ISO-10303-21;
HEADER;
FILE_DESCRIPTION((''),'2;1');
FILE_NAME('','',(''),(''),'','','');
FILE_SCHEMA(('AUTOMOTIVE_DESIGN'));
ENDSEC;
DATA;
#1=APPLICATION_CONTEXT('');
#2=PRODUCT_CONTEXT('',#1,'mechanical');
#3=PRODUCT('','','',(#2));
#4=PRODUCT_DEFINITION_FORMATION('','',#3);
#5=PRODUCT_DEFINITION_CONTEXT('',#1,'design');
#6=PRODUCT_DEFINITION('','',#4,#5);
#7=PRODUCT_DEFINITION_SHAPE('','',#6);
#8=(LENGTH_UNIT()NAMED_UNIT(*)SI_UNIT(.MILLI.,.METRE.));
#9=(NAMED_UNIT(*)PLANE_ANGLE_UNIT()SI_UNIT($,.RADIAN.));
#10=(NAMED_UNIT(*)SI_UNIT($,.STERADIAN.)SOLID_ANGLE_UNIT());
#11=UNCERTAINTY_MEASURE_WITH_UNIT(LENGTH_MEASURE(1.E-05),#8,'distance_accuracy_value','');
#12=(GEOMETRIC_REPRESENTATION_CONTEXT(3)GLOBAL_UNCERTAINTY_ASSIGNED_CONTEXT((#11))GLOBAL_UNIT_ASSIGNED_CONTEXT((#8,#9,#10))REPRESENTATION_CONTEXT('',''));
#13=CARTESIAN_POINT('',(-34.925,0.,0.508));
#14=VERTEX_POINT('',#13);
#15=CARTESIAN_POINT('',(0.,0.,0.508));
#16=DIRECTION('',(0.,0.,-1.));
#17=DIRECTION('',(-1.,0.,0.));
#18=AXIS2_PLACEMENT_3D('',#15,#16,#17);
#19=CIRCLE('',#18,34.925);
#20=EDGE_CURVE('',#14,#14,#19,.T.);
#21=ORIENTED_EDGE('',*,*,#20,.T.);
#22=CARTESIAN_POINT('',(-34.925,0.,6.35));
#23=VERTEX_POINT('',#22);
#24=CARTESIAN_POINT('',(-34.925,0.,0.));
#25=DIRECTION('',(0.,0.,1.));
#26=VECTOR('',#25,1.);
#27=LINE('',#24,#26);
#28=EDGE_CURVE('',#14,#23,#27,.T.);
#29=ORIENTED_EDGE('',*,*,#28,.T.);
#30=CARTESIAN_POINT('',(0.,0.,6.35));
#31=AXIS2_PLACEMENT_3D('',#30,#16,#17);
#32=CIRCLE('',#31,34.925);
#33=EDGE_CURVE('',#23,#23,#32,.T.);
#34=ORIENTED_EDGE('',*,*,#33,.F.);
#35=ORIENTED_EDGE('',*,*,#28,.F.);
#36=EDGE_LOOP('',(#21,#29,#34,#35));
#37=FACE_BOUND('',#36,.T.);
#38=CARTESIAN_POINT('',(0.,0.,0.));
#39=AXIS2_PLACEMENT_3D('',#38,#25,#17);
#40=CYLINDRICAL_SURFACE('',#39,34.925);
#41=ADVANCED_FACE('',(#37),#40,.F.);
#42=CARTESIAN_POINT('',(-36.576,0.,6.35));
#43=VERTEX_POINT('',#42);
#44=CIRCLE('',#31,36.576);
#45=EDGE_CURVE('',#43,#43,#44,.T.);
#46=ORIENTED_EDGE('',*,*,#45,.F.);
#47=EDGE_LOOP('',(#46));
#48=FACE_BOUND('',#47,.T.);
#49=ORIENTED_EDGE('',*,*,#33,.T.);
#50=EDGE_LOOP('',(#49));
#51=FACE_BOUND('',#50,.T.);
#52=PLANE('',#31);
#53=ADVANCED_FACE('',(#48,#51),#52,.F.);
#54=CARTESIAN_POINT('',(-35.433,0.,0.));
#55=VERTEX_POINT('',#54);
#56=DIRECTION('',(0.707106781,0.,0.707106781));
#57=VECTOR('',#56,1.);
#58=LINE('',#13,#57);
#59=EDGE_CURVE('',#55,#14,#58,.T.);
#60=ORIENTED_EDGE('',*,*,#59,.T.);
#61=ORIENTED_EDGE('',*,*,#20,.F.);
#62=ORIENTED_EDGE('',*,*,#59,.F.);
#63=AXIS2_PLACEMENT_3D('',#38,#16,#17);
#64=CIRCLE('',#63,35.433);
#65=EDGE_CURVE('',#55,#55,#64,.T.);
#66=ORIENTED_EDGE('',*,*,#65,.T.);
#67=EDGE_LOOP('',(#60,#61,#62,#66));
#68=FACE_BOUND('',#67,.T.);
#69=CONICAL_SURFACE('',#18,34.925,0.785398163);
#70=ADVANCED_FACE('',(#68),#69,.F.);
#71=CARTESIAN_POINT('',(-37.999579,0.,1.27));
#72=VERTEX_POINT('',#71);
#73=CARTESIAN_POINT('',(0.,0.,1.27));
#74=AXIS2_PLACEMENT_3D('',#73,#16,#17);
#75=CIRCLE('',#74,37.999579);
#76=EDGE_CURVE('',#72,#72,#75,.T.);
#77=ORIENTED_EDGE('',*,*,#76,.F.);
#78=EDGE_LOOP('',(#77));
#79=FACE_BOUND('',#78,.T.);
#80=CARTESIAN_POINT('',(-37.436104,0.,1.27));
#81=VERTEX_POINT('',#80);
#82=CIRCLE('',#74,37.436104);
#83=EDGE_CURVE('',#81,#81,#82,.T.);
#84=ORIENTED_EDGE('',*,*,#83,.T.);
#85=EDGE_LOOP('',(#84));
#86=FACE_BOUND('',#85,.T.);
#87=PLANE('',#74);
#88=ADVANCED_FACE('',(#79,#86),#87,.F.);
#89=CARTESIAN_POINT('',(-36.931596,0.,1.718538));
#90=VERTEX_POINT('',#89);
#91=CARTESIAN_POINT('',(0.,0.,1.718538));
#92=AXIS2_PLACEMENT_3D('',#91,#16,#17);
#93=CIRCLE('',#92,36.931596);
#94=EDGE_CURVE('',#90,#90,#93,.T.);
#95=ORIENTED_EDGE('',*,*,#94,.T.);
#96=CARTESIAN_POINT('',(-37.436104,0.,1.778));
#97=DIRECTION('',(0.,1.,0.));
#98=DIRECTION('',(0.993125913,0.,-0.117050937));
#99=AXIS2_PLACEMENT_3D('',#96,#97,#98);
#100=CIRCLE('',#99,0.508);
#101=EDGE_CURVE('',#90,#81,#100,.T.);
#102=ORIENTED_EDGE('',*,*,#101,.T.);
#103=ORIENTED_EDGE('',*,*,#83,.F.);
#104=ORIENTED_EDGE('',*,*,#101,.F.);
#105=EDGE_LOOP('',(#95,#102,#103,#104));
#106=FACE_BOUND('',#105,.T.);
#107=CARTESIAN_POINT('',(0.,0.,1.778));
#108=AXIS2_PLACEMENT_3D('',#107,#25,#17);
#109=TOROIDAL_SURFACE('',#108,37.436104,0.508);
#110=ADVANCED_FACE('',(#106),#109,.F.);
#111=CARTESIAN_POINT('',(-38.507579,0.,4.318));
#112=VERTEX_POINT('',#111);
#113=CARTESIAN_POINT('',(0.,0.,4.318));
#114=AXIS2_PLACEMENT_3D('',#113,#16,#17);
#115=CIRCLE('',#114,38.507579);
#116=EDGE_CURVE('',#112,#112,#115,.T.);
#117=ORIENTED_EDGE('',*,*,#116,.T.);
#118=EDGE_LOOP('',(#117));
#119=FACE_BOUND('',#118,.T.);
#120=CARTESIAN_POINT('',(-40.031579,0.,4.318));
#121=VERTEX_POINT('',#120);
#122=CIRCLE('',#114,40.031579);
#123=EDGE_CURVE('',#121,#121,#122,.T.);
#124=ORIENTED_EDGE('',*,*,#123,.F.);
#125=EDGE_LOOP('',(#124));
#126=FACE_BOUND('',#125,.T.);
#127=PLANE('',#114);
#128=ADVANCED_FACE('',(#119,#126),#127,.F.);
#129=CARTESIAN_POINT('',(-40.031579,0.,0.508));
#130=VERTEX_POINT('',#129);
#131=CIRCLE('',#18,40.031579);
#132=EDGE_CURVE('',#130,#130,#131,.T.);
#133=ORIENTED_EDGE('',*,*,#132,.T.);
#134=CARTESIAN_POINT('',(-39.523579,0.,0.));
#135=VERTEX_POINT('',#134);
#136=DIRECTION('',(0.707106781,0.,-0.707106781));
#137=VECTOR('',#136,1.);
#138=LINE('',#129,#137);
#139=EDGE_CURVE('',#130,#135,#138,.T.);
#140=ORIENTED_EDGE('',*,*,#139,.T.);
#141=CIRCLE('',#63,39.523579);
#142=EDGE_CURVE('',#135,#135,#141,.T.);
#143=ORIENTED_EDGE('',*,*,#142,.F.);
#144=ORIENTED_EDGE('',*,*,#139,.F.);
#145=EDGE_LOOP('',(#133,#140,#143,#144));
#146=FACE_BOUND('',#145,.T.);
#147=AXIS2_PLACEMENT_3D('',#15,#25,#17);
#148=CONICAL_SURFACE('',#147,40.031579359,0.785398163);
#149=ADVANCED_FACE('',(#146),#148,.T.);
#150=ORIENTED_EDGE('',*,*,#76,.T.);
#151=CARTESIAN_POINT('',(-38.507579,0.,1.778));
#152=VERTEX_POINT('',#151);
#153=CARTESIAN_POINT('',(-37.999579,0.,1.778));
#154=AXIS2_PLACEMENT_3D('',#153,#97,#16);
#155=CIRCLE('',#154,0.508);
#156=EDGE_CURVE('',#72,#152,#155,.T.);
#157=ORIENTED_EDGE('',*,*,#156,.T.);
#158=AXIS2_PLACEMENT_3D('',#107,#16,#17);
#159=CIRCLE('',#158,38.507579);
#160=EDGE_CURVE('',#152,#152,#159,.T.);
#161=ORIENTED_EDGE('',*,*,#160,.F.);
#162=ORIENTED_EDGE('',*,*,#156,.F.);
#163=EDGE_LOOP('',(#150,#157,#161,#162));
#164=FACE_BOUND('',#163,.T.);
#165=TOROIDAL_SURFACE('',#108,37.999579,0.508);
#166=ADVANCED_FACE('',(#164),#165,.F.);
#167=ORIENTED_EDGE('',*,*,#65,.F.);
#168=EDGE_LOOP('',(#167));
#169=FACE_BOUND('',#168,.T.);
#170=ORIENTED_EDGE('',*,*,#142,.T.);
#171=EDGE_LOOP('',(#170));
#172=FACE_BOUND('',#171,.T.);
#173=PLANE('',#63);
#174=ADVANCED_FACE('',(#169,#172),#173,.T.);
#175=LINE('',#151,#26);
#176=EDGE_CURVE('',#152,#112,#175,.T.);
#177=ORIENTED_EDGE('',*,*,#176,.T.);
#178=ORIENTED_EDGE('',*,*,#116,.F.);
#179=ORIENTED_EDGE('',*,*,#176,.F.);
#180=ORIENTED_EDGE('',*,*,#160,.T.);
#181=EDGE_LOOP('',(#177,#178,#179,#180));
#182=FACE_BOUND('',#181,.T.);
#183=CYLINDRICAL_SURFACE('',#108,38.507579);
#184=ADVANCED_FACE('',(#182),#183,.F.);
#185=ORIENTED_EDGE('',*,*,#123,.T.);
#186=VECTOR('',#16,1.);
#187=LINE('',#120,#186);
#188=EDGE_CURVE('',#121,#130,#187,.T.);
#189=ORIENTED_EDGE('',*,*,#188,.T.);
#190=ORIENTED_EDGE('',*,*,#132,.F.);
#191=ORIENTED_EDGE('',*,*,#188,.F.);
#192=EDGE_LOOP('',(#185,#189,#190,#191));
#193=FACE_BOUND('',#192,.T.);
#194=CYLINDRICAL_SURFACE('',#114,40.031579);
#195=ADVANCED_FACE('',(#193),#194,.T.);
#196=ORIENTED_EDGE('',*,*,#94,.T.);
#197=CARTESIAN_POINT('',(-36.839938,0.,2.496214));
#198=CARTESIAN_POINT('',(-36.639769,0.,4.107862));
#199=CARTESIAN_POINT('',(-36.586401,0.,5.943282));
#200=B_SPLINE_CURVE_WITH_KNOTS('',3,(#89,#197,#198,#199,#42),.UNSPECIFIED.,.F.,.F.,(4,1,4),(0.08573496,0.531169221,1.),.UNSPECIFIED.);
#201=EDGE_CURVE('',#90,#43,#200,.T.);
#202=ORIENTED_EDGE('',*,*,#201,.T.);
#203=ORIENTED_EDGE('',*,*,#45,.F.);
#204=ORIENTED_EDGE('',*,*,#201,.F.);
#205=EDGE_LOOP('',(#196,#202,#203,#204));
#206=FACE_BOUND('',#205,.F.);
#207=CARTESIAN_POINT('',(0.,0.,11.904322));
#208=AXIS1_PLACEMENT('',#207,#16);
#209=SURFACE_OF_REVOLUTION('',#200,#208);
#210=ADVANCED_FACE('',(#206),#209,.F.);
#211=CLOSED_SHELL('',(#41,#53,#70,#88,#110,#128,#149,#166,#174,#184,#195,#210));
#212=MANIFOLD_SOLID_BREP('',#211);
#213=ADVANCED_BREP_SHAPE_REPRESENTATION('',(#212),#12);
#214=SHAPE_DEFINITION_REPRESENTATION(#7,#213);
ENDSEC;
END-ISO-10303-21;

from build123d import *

# Parameters (mm, degrees)
F2_SIZE = 0.508


with BuildPart() as f1:
    # F0 (on Front) → F1 (revolve)
    with BuildSketch(Plane.XZ):
        with BuildLine():
            Line((-38.5075793592, 4.318), (-40.0315793592, 4.318))
            Line((-40.0315793592, 4.318), (-40.0315793592, 0))
            Line((-40.0315793592, 0), (-34.925, 0))
            Line((-34.925, 0), (-34.925, 6.35))
            Line((-34.925, 6.35), (-36.576, 6.35))
            add(Edge.make_bspline(
                [(-36.9315961026, 1.7185381239), (-36.8399383355, 2.4962141158), (-36.6397686392, 4.1078624216), (-36.5864010249, 5.9432817172), (-36.576, 6.35)],
                knots=[0.0857349599, 0.0857349599, 0.0857349599, 0.0857349599, 0.5311692207, 1, 1, 1, 1], degree=3))
            ThreePointArc((-36.9315961026, 1.7185381239), (-37.098570833, 1.3983484275), (-37.4361040662, 1.27))
            Line((-37.4361040662, 1.27), (-37.9995793592, 1.27))
            ThreePointArc((-37.9995793592, 1.27), (-38.3587896041, 1.4187897552), (-38.5075793592, 1.778))
            Line((-38.5075793592, 1.778), (-38.5075793592, 4.318))
        make_face()
    revolve(axis=Axis((0, 0, 11.9043216109), (0, 0, -1)))

    # F2
    f2_edges = [f1.edges().sort_by_distance(p)[0] for p in [
        (40.031579, 0, 0),
        (34.925, 0, 0),
    ]]
    chamfer(f2_edges, length=F2_SIZE)


solid = f1.part
